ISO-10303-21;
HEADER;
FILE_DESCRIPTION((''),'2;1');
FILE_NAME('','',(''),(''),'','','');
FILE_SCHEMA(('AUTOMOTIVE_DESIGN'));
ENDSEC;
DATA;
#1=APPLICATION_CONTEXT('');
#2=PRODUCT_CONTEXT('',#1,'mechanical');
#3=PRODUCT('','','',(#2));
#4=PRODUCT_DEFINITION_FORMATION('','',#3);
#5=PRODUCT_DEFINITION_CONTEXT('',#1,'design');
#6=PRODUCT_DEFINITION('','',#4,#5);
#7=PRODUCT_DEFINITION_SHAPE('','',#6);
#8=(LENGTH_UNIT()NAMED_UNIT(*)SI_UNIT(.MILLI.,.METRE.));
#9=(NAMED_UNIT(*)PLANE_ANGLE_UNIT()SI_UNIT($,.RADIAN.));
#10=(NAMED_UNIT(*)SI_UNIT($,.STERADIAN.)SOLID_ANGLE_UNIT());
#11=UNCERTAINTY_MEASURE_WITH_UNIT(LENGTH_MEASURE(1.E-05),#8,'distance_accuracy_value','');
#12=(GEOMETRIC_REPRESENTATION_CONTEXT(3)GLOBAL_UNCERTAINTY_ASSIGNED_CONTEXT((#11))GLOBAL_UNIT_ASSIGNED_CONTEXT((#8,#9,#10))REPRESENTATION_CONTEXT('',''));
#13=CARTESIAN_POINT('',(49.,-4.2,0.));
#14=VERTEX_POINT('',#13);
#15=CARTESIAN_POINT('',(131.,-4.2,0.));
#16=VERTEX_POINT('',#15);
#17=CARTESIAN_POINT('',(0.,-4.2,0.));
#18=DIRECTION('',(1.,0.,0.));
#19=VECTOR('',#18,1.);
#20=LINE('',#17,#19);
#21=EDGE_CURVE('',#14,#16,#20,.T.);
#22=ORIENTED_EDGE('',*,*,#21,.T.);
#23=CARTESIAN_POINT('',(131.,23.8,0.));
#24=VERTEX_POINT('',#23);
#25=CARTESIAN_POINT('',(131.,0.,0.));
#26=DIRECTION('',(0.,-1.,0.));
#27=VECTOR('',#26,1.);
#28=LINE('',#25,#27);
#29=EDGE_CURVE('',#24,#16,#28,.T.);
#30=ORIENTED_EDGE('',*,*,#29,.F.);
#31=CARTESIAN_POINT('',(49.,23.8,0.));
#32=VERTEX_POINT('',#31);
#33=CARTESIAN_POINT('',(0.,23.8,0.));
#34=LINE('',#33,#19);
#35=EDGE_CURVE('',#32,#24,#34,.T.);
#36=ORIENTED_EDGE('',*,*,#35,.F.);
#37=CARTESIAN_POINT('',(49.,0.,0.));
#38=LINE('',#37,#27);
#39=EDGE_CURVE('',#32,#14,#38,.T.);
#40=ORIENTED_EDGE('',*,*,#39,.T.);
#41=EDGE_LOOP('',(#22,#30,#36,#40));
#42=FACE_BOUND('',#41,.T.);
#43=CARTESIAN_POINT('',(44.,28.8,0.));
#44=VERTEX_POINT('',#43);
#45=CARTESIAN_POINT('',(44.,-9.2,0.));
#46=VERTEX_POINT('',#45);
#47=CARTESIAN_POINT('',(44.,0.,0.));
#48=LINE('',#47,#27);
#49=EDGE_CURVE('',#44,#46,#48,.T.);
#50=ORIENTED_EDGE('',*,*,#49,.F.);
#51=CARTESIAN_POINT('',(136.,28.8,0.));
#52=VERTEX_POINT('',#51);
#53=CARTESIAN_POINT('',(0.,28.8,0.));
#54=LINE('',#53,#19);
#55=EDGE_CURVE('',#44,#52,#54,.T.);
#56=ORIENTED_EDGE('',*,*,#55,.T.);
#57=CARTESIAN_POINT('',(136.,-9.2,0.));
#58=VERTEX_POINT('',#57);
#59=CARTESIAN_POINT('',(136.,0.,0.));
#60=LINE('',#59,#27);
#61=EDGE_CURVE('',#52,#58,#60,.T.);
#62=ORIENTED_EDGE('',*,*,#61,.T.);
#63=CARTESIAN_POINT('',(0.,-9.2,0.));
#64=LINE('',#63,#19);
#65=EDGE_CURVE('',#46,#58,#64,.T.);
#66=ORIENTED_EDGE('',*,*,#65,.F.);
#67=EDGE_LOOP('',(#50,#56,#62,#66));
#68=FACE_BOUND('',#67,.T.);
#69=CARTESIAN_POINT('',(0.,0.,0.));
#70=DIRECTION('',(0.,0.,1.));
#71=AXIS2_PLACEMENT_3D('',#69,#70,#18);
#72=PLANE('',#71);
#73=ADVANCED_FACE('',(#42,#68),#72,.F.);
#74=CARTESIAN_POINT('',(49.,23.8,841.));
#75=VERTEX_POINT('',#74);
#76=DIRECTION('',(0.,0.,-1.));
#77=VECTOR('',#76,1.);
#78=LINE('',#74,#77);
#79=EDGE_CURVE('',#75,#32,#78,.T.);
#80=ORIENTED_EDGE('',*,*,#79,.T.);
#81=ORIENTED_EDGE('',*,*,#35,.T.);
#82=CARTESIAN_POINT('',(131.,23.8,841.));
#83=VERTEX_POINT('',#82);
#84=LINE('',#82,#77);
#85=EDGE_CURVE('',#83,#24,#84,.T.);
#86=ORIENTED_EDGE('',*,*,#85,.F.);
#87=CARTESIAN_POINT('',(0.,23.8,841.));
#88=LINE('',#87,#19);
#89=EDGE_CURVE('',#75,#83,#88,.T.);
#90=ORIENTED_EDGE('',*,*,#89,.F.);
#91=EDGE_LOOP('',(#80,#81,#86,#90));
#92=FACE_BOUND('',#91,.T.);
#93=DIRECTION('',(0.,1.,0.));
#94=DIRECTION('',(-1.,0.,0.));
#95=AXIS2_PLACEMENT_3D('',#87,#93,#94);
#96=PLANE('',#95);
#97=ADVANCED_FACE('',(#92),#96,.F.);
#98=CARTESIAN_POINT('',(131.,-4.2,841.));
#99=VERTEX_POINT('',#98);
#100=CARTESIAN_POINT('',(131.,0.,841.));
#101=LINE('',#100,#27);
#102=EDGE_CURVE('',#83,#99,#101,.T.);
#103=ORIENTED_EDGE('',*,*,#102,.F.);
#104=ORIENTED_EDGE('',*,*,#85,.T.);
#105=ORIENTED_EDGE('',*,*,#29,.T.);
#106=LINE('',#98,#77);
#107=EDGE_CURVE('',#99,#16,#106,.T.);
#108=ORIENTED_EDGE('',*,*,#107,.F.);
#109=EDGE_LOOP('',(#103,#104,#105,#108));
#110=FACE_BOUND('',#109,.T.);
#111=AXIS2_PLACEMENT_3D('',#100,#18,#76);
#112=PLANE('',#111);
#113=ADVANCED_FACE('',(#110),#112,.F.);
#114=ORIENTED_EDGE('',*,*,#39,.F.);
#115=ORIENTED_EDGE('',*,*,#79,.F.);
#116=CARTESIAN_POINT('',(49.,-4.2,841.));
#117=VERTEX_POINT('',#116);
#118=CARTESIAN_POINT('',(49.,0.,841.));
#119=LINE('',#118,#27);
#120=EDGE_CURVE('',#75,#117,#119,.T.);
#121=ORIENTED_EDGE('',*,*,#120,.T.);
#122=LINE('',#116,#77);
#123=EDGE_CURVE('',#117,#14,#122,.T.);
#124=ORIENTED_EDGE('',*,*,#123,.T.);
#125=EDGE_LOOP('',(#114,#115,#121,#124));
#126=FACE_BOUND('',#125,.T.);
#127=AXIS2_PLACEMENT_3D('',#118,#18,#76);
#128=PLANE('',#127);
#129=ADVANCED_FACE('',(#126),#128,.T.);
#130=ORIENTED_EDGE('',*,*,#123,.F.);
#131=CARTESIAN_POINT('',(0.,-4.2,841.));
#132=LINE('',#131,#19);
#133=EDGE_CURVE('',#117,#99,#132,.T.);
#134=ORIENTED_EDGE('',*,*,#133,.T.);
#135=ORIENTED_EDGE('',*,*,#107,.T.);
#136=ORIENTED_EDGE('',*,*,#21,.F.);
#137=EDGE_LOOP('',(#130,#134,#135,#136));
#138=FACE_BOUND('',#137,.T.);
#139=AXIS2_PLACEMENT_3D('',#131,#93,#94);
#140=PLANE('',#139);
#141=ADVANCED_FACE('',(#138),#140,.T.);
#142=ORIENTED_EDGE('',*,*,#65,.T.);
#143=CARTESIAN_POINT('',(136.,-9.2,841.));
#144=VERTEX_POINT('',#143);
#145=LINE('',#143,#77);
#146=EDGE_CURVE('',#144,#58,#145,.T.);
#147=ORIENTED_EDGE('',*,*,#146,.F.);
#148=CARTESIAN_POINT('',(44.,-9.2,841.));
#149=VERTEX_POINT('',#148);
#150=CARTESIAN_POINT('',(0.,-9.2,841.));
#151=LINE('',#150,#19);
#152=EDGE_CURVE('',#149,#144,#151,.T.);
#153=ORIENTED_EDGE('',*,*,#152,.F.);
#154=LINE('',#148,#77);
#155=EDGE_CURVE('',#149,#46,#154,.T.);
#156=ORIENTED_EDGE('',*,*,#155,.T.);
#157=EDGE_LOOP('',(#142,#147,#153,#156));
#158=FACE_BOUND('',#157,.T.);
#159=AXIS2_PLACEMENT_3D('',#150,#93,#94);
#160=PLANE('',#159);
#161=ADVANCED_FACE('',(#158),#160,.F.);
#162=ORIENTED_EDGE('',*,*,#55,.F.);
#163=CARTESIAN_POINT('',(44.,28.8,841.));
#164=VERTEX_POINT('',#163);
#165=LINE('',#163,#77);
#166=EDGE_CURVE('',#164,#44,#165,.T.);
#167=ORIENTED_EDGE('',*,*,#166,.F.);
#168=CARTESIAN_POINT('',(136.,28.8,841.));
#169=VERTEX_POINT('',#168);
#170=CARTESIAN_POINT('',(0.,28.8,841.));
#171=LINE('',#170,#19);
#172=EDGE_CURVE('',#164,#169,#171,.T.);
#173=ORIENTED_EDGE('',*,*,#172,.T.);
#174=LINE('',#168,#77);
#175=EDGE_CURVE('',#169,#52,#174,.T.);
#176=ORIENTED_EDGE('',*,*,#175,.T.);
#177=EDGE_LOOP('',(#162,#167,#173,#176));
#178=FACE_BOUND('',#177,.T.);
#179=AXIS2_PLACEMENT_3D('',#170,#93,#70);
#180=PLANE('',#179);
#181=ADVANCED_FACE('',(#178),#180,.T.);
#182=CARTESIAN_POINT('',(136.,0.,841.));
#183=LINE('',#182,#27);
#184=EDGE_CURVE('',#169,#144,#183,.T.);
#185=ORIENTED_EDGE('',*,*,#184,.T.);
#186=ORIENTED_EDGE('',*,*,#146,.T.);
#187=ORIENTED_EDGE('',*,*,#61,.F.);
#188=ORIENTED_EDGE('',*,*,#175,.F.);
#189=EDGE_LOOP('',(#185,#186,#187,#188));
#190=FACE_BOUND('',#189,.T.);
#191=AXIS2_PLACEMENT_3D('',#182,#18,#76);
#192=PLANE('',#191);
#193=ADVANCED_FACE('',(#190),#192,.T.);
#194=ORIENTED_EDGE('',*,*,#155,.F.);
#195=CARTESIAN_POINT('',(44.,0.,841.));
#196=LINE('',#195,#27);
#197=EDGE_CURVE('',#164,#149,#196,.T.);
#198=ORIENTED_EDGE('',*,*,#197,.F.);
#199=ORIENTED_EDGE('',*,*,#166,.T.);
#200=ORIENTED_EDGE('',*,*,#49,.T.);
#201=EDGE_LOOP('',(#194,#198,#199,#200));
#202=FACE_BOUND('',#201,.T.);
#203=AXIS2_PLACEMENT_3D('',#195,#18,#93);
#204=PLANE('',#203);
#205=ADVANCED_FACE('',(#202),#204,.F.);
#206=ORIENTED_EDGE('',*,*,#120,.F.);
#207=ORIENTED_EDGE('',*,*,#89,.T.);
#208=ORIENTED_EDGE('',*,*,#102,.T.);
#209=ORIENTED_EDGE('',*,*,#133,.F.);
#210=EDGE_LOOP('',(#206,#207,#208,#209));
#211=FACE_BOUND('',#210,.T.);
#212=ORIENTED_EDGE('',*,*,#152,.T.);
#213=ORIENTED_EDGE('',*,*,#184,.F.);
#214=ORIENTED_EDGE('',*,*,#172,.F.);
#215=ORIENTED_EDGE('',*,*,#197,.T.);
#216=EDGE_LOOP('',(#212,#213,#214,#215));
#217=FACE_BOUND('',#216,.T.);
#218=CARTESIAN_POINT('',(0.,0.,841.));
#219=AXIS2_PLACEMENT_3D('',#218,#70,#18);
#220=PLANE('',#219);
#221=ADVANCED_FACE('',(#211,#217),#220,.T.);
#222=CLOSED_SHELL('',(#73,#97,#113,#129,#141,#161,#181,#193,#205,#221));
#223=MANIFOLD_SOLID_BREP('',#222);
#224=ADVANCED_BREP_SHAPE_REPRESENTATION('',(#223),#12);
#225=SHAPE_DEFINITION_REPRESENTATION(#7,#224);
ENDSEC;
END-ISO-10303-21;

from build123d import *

# Parameters (mm, degrees)
MASTER_SKETCH_WING_GEOMETRY_MASTER_SKETC_W   = 92
MASTER_SKETCH_WING_GEOMETRY_MASTER_SKETC_H   = 38
MASTER_SKETCH_WING_GEOMETRY_MASTER_SKETC_W_2 = 82
MASTER_SKETCH_WING_GEOMETRY_MASTER_SKETC_H_2 = 28
BOSS_EXTRUDE2_DEPTH                          = 841


with BuildPart() as part:
    # Master sketch-Wing Geometry Master Sketc → Boss-Extrude2 (new body)
    with BuildSketch(Plane.XY):
        with Locations((90.000000001, 9.799999997)):
            Rectangle(MASTER_SKETCH_WING_GEOMETRY_MASTER_SKETC_W, MASTER_SKETCH_WING_GEOMETRY_MASTER_SKETC_H)
        with Locations((90.000000001, 9.799999997)):
            Rectangle(MASTER_SKETCH_WING_GEOMETRY_MASTER_SKETC_W_2, MASTER_SKETCH_WING_GEOMETRY_MASTER_SKETC_H_2, mode=Mode.SUBTRACT)
    extrude(amount=BOSS_EXTRUDE2_DEPTH)


solid = part.part
